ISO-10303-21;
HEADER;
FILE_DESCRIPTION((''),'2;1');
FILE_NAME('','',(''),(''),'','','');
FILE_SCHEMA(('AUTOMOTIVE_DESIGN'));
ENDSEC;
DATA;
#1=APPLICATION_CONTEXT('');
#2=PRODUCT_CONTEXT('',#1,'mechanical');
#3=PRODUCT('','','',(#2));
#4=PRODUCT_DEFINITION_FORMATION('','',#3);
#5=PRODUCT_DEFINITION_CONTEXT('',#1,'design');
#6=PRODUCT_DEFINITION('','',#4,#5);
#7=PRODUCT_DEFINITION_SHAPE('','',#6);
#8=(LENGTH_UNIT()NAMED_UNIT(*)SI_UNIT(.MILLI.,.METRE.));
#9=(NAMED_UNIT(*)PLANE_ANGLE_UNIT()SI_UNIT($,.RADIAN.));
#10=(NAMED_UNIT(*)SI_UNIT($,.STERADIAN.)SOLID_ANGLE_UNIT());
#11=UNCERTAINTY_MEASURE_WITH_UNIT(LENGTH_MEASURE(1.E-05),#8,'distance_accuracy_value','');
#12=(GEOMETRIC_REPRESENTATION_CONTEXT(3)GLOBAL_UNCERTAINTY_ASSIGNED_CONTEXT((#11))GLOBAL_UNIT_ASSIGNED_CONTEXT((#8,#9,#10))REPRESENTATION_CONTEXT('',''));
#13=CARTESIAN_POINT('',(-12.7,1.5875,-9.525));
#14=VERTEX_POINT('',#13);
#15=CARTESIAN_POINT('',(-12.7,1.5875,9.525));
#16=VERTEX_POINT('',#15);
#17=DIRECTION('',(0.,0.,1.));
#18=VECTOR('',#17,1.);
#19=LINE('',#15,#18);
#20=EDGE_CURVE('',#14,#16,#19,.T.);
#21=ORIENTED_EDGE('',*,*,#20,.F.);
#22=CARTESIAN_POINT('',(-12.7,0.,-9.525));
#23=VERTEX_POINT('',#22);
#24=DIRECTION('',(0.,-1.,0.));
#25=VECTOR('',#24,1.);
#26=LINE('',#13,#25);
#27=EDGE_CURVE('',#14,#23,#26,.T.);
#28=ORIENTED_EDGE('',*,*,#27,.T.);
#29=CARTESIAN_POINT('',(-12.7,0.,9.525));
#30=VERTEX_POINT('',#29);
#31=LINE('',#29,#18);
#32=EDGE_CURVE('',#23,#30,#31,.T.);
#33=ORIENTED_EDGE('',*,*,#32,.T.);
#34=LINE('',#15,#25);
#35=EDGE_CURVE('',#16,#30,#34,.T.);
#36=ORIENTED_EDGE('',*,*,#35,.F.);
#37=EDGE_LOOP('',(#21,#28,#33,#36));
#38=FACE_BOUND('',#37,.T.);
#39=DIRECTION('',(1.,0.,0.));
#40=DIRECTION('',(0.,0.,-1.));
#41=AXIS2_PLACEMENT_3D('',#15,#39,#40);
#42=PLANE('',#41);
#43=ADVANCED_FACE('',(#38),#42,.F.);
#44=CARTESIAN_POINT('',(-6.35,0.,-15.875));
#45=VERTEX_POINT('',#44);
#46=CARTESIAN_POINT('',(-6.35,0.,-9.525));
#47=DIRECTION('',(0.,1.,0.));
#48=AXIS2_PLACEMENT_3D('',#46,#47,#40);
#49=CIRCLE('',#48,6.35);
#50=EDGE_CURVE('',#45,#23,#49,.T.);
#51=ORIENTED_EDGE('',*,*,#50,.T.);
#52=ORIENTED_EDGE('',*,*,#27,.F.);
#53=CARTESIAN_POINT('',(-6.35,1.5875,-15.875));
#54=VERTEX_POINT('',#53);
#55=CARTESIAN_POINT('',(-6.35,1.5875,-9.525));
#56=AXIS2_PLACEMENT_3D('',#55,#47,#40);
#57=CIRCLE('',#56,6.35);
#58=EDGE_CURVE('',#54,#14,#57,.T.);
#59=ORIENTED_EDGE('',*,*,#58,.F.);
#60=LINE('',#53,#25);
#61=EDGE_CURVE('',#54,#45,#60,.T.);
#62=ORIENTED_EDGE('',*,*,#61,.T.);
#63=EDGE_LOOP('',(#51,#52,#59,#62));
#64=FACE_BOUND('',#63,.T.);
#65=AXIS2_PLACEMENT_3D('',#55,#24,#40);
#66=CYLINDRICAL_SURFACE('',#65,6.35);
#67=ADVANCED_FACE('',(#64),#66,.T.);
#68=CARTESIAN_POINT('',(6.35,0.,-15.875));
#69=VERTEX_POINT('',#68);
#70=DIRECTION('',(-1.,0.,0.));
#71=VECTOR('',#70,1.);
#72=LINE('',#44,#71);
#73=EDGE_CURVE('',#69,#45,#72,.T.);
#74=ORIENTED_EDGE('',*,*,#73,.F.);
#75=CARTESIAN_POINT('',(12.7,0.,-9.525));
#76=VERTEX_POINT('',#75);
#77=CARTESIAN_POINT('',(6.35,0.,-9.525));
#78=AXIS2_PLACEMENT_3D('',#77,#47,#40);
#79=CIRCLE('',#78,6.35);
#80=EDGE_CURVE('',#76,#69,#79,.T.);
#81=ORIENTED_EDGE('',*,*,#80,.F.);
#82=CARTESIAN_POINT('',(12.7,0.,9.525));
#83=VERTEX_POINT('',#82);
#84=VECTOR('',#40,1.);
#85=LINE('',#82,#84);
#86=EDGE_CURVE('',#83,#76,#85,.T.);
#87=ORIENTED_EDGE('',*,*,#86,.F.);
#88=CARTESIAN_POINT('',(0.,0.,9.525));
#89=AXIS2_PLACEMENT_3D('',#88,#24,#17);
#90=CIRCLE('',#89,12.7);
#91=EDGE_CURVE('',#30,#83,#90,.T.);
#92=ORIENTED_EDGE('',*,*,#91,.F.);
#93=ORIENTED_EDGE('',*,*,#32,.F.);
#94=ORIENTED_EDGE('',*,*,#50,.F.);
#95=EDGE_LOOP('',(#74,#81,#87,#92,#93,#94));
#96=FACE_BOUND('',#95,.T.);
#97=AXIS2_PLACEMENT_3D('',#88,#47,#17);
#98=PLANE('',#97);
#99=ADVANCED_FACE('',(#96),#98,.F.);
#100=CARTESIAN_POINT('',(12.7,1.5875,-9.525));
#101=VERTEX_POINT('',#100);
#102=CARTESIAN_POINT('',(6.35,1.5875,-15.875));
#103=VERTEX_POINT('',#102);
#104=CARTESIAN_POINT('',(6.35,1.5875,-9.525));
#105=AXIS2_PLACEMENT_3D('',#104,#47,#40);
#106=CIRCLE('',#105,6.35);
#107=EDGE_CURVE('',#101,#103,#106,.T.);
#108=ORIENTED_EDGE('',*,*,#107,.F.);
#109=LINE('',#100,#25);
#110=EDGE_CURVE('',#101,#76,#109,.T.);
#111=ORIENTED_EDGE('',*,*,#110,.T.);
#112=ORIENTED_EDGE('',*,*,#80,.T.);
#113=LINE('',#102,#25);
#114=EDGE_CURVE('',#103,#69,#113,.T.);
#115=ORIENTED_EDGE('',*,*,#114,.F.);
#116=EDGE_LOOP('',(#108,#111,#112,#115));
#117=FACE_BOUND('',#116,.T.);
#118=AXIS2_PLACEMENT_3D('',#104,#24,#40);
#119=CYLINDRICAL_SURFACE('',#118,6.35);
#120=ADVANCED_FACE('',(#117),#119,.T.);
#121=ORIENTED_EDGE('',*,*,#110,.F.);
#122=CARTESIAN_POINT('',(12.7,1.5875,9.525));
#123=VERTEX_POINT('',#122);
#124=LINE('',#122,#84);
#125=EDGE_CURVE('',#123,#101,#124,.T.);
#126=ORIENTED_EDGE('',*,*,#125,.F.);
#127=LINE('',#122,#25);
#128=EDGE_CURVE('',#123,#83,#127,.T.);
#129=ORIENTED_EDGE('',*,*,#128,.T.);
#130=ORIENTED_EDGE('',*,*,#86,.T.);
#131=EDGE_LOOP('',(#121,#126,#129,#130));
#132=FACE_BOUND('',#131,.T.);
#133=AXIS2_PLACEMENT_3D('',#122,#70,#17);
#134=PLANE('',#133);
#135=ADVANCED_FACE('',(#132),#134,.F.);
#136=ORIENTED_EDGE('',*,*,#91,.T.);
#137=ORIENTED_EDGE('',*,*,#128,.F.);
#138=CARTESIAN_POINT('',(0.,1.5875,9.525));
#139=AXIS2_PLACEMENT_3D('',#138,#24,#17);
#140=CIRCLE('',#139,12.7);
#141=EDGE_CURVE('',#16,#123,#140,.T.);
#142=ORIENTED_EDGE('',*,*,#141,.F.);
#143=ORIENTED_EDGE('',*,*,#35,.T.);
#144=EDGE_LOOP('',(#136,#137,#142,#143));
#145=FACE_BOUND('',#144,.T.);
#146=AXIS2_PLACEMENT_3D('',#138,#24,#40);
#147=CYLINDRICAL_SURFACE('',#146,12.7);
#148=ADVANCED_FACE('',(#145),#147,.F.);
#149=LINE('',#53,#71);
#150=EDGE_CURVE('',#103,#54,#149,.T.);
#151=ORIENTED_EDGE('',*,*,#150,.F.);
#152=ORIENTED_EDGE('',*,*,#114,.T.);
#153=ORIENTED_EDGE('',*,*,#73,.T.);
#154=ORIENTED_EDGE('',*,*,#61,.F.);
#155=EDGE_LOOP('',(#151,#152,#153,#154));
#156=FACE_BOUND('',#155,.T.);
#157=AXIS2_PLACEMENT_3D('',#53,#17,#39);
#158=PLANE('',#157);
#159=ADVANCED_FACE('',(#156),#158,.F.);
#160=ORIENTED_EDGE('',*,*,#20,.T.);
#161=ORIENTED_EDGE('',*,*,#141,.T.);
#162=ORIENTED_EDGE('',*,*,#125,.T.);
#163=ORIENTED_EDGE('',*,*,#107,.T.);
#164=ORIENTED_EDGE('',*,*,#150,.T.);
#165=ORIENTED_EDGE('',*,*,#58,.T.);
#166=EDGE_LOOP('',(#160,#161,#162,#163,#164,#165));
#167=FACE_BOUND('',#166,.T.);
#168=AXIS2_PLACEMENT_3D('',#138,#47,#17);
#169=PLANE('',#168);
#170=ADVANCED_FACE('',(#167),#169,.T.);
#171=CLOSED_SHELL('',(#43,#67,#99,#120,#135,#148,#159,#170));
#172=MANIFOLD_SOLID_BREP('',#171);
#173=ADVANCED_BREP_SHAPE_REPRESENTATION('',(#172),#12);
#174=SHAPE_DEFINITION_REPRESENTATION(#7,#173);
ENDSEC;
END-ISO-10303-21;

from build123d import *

# Parameters (mm, degrees)
BOSS_EXTRUDE1_DEPTH = 1.5875


with BuildPart() as part:
    # Sketch1 → Boss-Extrude1 (new body)
    with BuildSketch(Plane(origin=(0, 0, 0), x_dir=(1, 0, 0), z_dir=(0, 1, 0))):
        with BuildLine():
            Line((-12.7, -9.525), (-12.7, 9.525))
            ThreePointArc((-12.7, 9.525), (-10.840128061, 14.015128061), (-6.35, 15.875))
            Line((-6.35, 15.875), (6.35, 15.875))
            ThreePointArc((6.35, 15.875), (10.840128061, 14.015128061), (12.7, 9.525))
            Line((12.7, 9.525), (12.7, -9.525))
            ThreePointArc((12.7, -9.525), (0, 3.175), (-12.7, -9.525))
        make_face()
    extrude(amount=BOSS_EXTRUDE1_DEPTH)


solid = part.part
